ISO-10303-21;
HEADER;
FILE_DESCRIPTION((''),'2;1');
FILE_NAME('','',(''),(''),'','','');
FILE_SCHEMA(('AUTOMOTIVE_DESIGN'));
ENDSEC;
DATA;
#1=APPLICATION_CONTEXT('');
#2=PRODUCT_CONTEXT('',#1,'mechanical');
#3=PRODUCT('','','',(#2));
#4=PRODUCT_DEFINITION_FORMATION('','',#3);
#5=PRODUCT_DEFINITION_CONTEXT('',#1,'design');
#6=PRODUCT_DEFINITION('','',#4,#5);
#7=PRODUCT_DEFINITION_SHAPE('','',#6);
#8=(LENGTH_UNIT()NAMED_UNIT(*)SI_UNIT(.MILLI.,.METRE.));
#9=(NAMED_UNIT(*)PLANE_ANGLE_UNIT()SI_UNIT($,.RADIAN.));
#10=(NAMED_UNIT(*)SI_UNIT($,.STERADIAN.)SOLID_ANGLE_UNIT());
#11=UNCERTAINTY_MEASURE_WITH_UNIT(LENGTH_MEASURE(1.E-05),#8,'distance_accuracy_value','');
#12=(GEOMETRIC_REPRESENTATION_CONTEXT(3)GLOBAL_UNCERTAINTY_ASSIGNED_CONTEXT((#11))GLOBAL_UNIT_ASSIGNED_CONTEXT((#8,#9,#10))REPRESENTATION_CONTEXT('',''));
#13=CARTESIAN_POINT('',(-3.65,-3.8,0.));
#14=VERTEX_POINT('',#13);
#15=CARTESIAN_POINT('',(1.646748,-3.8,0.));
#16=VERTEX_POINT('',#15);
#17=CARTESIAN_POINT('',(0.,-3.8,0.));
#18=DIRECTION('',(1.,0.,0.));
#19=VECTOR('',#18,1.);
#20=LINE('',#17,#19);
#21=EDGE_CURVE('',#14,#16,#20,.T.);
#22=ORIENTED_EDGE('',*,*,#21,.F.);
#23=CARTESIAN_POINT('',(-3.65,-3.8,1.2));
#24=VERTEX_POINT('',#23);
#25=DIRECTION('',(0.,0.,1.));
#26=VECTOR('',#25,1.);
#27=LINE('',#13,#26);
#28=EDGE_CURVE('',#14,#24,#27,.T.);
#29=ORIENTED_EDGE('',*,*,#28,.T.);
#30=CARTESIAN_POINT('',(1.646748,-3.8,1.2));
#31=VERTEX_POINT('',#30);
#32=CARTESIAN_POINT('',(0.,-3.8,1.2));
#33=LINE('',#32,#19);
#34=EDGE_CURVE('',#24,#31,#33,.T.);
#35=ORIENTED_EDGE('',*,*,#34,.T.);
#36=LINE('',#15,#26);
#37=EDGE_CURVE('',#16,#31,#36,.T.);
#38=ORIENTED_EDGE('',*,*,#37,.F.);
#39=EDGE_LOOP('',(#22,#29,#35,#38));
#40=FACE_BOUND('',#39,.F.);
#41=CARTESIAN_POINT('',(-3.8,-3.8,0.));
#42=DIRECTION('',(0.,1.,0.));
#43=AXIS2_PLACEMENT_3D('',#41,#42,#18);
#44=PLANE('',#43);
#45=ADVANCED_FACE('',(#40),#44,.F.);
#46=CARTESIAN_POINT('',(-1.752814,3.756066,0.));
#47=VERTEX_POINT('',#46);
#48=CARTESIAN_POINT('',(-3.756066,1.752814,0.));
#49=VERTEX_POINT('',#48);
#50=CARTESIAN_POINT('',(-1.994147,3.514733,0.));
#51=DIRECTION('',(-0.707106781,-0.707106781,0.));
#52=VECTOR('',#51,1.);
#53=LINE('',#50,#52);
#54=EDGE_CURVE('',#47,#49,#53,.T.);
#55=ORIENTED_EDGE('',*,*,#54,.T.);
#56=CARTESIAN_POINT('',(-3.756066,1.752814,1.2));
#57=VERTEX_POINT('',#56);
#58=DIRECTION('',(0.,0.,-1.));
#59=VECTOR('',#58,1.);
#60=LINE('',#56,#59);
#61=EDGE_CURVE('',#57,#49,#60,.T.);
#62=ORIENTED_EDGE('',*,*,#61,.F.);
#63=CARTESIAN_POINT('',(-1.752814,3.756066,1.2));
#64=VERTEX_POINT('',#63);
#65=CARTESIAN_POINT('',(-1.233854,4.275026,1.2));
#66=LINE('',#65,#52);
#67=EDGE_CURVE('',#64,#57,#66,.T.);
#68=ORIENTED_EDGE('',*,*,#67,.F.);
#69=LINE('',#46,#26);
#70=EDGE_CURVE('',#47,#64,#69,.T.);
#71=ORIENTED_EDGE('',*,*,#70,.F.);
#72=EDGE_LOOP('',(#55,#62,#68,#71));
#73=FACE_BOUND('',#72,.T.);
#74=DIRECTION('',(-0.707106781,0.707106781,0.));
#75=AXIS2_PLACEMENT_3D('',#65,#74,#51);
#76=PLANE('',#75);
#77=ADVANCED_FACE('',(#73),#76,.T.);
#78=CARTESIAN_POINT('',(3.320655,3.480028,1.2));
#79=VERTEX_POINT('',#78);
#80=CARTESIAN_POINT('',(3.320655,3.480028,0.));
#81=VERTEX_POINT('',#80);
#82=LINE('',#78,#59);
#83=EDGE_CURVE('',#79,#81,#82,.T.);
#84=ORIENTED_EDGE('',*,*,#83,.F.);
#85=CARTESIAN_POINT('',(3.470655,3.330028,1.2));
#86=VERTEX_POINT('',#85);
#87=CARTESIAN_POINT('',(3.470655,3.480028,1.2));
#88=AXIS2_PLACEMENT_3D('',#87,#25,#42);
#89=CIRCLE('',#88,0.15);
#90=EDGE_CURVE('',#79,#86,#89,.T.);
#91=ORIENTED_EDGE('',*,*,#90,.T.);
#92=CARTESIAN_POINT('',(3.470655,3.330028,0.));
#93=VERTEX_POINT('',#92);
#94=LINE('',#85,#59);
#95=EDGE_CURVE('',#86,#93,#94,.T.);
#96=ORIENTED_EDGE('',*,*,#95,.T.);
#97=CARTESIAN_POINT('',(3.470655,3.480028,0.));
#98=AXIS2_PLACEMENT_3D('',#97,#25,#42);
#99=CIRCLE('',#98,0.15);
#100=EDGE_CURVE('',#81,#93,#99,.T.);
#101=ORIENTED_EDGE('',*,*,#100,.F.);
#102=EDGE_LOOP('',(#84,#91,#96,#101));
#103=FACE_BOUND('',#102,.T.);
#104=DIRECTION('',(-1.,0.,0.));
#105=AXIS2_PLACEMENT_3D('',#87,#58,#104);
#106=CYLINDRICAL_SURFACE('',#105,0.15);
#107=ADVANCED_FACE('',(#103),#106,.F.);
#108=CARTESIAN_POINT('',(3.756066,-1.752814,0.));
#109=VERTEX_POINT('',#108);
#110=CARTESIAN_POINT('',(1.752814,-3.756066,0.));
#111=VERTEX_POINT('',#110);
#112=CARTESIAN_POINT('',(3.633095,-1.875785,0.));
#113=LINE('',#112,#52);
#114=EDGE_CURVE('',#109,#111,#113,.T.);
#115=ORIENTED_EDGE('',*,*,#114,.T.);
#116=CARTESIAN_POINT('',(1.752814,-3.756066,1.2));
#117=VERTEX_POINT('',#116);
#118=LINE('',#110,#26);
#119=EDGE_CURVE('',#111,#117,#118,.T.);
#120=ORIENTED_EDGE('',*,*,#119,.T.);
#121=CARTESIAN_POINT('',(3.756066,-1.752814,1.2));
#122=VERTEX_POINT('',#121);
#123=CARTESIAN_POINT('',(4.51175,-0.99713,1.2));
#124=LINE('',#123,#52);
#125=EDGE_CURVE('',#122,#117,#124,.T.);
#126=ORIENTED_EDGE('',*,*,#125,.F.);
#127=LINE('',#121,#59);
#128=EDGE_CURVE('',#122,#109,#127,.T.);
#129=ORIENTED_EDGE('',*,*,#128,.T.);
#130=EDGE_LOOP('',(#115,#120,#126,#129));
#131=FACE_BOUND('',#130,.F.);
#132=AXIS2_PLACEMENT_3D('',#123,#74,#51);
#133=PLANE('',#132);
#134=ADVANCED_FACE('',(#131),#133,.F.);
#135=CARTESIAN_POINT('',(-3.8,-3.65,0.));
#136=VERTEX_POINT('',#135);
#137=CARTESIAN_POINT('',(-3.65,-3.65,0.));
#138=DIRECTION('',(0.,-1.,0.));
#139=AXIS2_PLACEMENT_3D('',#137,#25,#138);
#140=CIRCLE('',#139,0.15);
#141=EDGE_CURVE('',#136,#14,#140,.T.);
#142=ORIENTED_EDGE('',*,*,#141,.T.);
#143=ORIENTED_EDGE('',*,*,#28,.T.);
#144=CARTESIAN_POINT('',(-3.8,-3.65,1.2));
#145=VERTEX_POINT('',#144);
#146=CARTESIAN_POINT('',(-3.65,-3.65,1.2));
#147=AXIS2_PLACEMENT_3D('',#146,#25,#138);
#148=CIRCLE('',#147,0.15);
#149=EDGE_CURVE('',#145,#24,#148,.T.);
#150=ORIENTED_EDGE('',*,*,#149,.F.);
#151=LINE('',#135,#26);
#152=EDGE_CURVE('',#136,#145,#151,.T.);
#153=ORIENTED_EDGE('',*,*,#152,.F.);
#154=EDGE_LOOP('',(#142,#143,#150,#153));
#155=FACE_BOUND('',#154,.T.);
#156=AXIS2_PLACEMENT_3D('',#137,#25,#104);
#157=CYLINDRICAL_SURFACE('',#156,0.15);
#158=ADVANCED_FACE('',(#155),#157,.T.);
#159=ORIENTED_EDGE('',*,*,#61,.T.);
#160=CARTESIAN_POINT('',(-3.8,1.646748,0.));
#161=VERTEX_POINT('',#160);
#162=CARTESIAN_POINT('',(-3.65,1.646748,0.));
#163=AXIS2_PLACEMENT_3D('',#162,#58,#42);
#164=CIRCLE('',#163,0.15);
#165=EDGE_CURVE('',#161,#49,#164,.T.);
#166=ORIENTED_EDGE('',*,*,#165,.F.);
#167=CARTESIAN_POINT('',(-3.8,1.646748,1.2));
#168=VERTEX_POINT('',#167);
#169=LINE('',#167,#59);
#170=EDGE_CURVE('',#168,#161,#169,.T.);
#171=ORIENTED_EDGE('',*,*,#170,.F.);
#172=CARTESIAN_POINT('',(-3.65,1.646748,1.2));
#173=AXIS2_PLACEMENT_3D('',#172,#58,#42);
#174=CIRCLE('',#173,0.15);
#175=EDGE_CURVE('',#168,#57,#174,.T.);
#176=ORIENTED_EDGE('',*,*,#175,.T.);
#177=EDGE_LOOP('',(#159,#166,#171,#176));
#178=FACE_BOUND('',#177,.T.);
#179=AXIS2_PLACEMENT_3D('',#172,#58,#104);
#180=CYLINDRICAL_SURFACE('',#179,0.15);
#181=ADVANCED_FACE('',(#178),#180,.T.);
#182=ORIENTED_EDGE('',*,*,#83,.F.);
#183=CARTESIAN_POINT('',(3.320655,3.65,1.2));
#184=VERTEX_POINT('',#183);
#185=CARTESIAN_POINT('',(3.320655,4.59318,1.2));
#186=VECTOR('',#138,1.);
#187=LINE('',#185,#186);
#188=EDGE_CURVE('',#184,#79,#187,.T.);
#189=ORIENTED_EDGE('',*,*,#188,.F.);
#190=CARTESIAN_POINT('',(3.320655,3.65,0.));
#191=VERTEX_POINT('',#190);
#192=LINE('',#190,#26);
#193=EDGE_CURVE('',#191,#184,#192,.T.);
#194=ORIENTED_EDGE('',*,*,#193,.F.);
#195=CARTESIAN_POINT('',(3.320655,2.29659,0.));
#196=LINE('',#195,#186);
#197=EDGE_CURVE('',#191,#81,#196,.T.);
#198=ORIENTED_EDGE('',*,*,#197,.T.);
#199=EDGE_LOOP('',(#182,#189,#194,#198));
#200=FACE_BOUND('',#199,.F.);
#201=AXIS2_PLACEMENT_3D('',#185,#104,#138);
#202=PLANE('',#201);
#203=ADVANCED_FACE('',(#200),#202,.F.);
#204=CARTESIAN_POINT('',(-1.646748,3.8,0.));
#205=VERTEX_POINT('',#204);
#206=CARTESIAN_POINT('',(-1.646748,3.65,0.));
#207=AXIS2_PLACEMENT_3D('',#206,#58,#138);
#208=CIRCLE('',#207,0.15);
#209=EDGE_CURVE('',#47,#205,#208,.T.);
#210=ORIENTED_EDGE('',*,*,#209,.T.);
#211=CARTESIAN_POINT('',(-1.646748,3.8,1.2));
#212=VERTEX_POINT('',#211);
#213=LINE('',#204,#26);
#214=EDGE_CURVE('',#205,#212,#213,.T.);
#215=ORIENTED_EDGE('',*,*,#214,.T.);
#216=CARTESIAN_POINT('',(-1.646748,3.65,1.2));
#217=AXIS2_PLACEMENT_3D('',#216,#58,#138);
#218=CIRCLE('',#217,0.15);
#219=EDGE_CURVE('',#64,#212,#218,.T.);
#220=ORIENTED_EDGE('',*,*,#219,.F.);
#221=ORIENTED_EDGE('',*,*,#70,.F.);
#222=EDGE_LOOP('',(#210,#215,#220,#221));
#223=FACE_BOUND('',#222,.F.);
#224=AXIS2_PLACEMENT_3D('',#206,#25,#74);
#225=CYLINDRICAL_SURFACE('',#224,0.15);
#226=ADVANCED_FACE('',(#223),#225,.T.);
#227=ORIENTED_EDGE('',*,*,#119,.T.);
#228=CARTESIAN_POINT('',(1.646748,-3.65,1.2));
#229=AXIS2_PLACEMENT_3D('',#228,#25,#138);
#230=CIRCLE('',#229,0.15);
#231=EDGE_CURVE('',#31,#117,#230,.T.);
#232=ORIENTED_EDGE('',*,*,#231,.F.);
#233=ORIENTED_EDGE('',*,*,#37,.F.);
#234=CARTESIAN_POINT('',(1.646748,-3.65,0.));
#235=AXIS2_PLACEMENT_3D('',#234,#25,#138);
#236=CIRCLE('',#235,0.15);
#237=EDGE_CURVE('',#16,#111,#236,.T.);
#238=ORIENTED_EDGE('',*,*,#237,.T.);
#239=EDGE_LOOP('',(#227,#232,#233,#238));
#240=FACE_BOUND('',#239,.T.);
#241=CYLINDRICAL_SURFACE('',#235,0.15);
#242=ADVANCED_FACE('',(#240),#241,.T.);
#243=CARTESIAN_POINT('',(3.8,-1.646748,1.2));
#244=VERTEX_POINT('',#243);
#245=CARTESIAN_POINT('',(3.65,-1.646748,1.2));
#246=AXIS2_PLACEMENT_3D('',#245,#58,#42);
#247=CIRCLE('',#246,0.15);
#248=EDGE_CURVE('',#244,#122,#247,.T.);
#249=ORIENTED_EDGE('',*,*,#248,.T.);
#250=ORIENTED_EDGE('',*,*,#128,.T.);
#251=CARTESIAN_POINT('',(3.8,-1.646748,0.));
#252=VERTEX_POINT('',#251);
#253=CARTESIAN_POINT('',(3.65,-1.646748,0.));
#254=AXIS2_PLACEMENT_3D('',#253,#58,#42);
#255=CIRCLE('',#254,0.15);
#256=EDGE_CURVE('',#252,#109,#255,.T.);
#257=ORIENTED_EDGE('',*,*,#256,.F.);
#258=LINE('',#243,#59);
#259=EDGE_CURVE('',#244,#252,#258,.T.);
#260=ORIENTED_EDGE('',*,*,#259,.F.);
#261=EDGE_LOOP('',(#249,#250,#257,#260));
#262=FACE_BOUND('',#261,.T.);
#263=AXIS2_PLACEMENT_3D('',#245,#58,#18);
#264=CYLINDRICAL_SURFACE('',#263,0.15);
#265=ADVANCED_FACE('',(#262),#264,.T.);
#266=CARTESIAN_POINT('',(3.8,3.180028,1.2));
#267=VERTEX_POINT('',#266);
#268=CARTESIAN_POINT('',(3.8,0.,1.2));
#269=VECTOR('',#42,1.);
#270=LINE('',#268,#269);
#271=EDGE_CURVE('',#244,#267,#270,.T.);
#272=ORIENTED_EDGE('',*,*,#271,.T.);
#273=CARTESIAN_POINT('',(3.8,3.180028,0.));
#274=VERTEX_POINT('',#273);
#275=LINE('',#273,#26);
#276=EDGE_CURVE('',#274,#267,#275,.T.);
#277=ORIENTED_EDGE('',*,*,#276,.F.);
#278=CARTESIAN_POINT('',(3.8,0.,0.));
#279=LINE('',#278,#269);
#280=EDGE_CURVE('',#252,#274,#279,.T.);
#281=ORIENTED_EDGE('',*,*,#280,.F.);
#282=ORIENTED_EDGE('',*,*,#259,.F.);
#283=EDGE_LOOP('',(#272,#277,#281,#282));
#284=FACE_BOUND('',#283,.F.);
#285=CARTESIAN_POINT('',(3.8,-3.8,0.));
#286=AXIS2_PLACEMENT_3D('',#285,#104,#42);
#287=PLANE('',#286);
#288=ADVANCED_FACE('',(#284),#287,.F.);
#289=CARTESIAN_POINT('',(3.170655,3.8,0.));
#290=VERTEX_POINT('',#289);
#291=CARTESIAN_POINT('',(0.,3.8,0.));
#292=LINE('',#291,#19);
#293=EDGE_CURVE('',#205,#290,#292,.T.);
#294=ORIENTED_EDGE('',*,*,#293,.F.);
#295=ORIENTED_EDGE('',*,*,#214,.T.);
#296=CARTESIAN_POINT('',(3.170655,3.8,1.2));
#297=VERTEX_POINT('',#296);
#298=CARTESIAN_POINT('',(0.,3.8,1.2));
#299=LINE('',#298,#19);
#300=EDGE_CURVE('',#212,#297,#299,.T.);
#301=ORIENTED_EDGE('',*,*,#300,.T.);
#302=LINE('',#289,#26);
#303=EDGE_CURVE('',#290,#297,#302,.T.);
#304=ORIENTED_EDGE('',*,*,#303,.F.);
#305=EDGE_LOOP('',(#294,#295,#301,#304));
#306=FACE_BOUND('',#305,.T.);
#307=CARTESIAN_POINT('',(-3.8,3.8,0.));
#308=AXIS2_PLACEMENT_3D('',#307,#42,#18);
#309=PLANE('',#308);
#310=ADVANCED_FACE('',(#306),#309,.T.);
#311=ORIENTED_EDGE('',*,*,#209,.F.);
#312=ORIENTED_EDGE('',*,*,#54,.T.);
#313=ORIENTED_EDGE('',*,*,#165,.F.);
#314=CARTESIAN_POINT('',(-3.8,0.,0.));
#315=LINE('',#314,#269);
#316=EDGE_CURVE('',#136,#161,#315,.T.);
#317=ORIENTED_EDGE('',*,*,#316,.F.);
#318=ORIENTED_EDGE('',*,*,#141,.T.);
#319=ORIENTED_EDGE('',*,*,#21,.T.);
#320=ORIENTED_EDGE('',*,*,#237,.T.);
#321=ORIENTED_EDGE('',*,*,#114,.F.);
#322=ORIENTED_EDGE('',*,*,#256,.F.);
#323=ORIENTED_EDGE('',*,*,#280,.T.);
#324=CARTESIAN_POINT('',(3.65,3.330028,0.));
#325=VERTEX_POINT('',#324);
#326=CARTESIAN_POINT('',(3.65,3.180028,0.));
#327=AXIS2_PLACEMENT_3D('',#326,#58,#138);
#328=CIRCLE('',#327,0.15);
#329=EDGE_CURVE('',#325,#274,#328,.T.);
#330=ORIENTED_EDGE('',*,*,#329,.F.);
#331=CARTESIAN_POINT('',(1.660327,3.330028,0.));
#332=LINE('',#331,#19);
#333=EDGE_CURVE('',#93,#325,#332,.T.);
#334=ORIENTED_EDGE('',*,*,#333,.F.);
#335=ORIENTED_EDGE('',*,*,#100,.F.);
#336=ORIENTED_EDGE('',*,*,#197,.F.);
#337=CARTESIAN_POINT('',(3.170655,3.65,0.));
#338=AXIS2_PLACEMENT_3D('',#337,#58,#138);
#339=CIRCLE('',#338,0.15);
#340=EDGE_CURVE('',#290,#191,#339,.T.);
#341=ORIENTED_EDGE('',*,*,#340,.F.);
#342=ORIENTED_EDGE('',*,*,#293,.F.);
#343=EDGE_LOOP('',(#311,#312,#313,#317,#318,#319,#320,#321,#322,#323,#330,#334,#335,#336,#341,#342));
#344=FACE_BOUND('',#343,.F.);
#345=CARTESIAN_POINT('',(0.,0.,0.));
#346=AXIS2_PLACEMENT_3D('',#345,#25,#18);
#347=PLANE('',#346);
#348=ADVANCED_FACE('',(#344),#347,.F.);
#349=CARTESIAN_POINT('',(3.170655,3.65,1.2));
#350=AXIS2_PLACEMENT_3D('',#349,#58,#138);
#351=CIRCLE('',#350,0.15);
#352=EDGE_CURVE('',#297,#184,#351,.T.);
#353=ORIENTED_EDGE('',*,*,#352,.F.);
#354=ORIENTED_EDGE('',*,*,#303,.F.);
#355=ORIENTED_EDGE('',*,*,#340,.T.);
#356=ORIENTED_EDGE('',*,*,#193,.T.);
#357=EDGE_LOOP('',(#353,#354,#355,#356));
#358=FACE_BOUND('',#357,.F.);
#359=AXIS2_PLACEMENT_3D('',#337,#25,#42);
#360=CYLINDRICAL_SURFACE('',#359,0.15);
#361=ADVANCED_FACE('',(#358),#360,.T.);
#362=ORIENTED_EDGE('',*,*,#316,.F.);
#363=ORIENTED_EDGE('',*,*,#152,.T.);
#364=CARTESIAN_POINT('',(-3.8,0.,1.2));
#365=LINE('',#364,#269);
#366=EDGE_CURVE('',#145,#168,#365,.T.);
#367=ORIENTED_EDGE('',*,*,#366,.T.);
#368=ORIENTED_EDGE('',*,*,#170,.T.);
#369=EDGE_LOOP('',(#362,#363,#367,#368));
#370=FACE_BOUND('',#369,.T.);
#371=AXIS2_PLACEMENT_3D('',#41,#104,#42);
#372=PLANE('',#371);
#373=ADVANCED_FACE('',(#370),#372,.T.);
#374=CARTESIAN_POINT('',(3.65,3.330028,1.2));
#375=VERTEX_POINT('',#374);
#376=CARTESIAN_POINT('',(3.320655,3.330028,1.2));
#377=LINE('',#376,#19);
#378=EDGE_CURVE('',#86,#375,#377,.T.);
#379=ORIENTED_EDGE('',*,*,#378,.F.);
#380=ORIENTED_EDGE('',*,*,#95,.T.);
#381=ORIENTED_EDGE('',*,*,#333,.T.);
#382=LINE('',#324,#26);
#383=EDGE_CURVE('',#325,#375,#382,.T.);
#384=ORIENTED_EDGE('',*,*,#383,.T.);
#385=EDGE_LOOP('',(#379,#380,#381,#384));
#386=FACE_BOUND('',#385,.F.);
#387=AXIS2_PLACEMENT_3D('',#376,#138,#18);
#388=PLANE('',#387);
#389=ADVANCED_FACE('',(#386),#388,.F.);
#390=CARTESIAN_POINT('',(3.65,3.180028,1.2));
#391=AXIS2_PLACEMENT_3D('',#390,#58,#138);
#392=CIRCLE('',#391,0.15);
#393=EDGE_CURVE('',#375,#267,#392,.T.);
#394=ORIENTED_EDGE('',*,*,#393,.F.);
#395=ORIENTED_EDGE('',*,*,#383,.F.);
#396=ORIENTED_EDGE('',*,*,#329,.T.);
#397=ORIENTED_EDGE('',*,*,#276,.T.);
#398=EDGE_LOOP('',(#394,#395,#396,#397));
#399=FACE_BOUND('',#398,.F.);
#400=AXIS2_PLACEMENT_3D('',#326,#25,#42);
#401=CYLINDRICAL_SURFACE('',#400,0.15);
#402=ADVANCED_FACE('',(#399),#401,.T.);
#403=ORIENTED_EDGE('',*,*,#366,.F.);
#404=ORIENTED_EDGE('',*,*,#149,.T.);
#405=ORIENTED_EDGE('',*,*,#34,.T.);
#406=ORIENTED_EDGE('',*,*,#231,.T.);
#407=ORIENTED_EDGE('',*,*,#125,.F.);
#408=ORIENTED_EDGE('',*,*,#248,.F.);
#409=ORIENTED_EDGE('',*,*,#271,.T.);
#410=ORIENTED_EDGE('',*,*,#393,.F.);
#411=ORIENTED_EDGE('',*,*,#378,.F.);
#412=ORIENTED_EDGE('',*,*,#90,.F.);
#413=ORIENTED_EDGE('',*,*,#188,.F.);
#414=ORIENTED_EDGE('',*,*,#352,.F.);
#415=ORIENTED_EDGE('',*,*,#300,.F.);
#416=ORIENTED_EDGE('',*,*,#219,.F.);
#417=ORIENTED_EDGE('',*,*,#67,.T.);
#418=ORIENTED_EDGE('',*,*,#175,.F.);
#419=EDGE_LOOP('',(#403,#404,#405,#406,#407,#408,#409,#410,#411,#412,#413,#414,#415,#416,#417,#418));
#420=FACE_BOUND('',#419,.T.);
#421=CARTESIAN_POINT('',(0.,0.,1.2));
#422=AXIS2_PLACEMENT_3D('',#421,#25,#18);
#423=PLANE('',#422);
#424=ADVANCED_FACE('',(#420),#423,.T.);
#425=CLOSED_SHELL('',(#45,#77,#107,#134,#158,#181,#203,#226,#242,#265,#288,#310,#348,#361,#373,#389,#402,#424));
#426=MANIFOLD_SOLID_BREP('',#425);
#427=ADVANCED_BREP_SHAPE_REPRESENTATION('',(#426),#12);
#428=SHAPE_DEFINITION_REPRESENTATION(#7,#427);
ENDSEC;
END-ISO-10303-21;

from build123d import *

# Parameters (mm, degrees)
SKETCH001_W  = 7.6
SKETCH001_H  = 7.6
PAD001_DEPTH = 1.2
POCKET_DEPTH = 5
FILLET_R     = 0.15


with BuildPart() as part:
    # Sketch001 → Pad001 (new body)
    with BuildSketch(Plane.XY):
        Rectangle(SKETCH001_W, SKETCH001_H)
    extrude(amount=PAD001_DEPTH)

    # Sketch002 → Pocket (cut)
    with BuildSketch(Plane.XY.offset(1.2)):
        Polygon((-4.51175, 4.275026), (-1.233854, 4.275026), (-4.51175, 0.99713), align=None)
        Polygon((3.320655, 4.59318), (3.320655, 3.330028), (4.467743, 3.330028), align=None)
        Polygon((4.51175, -0.99713), (1.233854, -4.275026), (4.51175, -4.275026), align=None)
    extrude(amount=-POCKET_DEPTH, mode=Mode.SUBTRACT)

    # Fillet
    fillet_edges = [part.edges().sort_by_distance(p)[0] for p in [
        (-3.8, 1.70888, 0.6),
        (-3.8, -3.8, 0.6),
        (1.70888, -3.8, 0.6),
        (3.8, -1.70888, 0.6),
        (3.8, 3.330028, 0.6),
        (3.320655, 3.330028, 0.6),
        (3.320655, 3.8, 0.6),
        (-1.70888, 3.8, 0.6),
    ]]
    fillet(fillet_edges, radius=FILLET_R)


solid = part.part
